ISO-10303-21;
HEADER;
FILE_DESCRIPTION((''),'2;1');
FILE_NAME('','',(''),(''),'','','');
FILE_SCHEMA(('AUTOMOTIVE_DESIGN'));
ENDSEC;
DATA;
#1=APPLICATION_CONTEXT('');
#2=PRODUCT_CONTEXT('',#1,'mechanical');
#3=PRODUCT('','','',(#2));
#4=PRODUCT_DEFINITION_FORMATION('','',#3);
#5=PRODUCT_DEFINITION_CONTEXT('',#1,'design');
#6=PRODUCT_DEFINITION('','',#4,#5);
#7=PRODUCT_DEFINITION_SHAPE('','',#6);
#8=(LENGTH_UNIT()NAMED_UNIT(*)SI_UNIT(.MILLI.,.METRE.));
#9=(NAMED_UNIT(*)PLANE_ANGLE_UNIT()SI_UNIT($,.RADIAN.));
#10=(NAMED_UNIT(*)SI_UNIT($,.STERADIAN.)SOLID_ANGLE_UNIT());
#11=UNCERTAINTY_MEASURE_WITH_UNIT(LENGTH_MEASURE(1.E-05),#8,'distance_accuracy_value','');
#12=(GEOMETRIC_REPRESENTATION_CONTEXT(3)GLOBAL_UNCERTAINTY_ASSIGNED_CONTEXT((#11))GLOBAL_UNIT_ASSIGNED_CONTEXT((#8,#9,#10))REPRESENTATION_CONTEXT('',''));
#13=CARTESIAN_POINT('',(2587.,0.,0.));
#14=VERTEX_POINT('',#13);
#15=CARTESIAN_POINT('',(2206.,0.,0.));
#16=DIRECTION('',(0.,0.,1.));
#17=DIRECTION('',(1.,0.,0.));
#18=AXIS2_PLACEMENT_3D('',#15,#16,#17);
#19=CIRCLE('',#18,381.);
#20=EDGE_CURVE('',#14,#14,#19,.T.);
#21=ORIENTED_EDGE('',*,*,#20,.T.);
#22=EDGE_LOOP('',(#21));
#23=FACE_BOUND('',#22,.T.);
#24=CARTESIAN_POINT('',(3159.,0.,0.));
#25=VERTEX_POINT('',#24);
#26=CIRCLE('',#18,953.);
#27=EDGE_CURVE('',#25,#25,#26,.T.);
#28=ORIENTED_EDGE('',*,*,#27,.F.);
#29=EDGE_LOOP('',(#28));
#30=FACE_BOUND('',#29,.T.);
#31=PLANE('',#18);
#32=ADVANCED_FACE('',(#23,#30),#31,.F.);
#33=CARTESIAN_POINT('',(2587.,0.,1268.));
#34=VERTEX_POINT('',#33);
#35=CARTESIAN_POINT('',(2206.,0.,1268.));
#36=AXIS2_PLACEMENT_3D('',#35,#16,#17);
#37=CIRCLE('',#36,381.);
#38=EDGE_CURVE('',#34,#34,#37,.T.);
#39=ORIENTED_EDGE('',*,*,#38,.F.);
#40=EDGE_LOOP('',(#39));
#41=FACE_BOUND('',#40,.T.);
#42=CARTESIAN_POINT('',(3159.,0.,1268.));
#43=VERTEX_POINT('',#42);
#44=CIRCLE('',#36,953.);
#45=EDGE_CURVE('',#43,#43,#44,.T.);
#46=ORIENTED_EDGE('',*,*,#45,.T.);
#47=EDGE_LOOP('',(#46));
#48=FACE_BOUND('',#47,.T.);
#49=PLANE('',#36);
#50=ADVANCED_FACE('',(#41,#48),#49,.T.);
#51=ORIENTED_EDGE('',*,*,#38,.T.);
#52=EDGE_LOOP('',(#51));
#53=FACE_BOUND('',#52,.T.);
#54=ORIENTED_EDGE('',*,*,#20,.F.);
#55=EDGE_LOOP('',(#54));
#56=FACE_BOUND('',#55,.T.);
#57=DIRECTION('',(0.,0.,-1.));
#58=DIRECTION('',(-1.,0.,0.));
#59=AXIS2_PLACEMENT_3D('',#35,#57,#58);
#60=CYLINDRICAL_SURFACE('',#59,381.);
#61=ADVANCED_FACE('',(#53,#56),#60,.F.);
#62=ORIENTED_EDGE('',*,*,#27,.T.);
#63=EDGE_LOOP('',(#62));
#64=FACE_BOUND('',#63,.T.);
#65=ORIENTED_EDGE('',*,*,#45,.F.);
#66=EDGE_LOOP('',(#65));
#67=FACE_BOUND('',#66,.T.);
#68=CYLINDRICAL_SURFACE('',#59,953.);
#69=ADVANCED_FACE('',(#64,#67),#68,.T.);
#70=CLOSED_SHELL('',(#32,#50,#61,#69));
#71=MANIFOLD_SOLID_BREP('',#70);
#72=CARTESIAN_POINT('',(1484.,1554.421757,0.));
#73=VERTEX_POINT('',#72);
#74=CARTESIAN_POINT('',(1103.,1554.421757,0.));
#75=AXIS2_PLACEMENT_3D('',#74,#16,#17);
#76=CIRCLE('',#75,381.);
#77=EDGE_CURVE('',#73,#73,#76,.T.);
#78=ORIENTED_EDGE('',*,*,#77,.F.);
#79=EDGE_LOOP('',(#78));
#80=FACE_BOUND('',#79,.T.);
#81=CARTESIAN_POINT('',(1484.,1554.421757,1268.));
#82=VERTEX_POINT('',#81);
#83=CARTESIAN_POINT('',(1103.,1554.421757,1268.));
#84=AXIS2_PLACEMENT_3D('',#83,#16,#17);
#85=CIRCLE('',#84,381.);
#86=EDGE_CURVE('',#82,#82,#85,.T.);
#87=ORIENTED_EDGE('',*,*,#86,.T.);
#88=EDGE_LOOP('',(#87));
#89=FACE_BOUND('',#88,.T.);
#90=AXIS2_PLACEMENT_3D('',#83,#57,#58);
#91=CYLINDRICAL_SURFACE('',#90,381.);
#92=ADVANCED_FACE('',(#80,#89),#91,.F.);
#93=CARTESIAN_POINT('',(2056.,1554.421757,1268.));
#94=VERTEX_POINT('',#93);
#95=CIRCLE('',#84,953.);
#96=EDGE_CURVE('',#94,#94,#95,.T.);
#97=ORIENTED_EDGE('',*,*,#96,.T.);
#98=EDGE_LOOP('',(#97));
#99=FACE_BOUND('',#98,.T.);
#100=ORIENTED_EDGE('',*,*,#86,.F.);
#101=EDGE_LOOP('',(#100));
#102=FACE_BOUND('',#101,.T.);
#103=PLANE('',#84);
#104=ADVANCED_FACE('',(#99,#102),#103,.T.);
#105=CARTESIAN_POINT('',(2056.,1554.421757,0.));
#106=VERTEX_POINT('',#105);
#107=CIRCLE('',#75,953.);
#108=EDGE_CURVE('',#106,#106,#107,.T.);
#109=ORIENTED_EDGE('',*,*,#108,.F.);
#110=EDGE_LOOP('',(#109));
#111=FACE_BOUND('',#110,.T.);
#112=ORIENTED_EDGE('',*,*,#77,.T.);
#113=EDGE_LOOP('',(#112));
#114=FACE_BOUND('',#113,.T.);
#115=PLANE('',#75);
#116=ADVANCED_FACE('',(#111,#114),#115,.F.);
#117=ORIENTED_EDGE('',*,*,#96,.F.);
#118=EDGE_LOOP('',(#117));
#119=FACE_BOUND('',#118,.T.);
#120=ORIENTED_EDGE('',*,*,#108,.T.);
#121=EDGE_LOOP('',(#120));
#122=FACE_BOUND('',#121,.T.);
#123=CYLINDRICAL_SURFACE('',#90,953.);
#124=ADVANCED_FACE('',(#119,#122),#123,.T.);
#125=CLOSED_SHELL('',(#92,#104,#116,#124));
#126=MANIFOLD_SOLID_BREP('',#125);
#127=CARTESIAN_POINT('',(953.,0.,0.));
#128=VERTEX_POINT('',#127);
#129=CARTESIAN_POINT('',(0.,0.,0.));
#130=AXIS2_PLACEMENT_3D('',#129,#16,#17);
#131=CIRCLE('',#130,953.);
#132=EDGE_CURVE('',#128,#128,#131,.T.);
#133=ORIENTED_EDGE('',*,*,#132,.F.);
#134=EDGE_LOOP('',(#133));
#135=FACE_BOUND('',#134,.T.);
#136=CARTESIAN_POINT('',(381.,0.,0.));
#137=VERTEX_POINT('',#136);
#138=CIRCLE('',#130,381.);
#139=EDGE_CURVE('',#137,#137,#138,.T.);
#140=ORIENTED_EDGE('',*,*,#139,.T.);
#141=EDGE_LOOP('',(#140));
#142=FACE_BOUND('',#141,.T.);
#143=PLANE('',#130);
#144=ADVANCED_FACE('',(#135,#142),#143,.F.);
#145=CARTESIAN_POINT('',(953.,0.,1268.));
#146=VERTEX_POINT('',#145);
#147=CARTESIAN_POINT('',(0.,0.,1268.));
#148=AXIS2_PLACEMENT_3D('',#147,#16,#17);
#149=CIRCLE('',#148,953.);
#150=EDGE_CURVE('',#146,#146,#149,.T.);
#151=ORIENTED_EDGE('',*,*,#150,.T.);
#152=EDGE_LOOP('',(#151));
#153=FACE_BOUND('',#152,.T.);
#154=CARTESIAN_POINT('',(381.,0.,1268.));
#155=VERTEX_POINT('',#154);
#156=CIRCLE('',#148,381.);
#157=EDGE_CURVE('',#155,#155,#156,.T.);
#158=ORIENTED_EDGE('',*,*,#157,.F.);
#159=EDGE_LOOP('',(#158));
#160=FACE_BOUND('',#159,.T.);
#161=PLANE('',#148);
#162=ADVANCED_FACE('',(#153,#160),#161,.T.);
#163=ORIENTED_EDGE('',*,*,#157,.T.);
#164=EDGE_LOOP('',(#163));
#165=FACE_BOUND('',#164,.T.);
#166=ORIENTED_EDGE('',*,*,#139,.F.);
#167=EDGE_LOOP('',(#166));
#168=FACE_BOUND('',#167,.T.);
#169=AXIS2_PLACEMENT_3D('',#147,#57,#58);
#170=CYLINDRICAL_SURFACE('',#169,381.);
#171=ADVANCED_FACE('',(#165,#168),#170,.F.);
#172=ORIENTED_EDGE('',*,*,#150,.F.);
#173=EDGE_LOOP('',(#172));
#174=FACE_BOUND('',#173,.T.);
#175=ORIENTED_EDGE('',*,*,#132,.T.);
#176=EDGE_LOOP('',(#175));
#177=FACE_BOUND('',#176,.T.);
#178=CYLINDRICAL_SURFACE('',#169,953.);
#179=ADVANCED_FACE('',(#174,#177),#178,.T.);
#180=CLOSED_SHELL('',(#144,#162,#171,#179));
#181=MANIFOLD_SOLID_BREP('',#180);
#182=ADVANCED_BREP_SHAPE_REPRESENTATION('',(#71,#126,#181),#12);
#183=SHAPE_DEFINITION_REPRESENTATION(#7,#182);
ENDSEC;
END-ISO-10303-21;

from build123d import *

# Parameters (mm, degrees)
SZKIC1_R                      = 953
SZKIC1_R_2                    = 381
DODANIE_WYCI_GNI_CIE1_DEPTH   = 1268
DODANIE_WYCI_GNI_CIE1_2_DEPTH = 1268
DODANIE_WYCI_GNI_CIE1_3_DEPTH = 1268


with BuildPart() as part:
    # Szkic1 → Dodanie-wyciągnięcie1 (new body)
    with BuildSketch(Plane.XY):
        Circle(SZKIC1_R)
        Circle(SZKIC1_R_2, mode=Mode.SUBTRACT)
    extrude(amount=DODANIE_WYCI_GNI_CIE1_DEPTH)


with BuildPart() as body_2:
    # Szkic1 → Dodanie-wyci_gni_cie1 2 (new body)
    with BuildSketch(Plane.XY):
        with Locations((2206, 0)):
            Circle(SZKIC1_R)
        with Locations((2206, 0)):
            Circle(SZKIC1_R_2, mode=Mode.SUBTRACT)
    extrude(amount=DODANIE_WYCI_GNI_CIE1_2_DEPTH)


with BuildPart() as body_3:
    # Szkic1 → Dodanie-wyci_gni_cie1 3 (new body)
    with BuildSketch(Plane.XY):
        with Locations((1103, 1554.421757439)):
            Circle(SZKIC1_R)
        with Locations((1103, 1554.421757439)):
            Circle(SZKIC1_R_2, mode=Mode.SUBTRACT)
    extrude(amount=DODANIE_WYCI_GNI_CIE1_3_DEPTH)


solid = Compound([part.part, body_2.part, body_3.part])
